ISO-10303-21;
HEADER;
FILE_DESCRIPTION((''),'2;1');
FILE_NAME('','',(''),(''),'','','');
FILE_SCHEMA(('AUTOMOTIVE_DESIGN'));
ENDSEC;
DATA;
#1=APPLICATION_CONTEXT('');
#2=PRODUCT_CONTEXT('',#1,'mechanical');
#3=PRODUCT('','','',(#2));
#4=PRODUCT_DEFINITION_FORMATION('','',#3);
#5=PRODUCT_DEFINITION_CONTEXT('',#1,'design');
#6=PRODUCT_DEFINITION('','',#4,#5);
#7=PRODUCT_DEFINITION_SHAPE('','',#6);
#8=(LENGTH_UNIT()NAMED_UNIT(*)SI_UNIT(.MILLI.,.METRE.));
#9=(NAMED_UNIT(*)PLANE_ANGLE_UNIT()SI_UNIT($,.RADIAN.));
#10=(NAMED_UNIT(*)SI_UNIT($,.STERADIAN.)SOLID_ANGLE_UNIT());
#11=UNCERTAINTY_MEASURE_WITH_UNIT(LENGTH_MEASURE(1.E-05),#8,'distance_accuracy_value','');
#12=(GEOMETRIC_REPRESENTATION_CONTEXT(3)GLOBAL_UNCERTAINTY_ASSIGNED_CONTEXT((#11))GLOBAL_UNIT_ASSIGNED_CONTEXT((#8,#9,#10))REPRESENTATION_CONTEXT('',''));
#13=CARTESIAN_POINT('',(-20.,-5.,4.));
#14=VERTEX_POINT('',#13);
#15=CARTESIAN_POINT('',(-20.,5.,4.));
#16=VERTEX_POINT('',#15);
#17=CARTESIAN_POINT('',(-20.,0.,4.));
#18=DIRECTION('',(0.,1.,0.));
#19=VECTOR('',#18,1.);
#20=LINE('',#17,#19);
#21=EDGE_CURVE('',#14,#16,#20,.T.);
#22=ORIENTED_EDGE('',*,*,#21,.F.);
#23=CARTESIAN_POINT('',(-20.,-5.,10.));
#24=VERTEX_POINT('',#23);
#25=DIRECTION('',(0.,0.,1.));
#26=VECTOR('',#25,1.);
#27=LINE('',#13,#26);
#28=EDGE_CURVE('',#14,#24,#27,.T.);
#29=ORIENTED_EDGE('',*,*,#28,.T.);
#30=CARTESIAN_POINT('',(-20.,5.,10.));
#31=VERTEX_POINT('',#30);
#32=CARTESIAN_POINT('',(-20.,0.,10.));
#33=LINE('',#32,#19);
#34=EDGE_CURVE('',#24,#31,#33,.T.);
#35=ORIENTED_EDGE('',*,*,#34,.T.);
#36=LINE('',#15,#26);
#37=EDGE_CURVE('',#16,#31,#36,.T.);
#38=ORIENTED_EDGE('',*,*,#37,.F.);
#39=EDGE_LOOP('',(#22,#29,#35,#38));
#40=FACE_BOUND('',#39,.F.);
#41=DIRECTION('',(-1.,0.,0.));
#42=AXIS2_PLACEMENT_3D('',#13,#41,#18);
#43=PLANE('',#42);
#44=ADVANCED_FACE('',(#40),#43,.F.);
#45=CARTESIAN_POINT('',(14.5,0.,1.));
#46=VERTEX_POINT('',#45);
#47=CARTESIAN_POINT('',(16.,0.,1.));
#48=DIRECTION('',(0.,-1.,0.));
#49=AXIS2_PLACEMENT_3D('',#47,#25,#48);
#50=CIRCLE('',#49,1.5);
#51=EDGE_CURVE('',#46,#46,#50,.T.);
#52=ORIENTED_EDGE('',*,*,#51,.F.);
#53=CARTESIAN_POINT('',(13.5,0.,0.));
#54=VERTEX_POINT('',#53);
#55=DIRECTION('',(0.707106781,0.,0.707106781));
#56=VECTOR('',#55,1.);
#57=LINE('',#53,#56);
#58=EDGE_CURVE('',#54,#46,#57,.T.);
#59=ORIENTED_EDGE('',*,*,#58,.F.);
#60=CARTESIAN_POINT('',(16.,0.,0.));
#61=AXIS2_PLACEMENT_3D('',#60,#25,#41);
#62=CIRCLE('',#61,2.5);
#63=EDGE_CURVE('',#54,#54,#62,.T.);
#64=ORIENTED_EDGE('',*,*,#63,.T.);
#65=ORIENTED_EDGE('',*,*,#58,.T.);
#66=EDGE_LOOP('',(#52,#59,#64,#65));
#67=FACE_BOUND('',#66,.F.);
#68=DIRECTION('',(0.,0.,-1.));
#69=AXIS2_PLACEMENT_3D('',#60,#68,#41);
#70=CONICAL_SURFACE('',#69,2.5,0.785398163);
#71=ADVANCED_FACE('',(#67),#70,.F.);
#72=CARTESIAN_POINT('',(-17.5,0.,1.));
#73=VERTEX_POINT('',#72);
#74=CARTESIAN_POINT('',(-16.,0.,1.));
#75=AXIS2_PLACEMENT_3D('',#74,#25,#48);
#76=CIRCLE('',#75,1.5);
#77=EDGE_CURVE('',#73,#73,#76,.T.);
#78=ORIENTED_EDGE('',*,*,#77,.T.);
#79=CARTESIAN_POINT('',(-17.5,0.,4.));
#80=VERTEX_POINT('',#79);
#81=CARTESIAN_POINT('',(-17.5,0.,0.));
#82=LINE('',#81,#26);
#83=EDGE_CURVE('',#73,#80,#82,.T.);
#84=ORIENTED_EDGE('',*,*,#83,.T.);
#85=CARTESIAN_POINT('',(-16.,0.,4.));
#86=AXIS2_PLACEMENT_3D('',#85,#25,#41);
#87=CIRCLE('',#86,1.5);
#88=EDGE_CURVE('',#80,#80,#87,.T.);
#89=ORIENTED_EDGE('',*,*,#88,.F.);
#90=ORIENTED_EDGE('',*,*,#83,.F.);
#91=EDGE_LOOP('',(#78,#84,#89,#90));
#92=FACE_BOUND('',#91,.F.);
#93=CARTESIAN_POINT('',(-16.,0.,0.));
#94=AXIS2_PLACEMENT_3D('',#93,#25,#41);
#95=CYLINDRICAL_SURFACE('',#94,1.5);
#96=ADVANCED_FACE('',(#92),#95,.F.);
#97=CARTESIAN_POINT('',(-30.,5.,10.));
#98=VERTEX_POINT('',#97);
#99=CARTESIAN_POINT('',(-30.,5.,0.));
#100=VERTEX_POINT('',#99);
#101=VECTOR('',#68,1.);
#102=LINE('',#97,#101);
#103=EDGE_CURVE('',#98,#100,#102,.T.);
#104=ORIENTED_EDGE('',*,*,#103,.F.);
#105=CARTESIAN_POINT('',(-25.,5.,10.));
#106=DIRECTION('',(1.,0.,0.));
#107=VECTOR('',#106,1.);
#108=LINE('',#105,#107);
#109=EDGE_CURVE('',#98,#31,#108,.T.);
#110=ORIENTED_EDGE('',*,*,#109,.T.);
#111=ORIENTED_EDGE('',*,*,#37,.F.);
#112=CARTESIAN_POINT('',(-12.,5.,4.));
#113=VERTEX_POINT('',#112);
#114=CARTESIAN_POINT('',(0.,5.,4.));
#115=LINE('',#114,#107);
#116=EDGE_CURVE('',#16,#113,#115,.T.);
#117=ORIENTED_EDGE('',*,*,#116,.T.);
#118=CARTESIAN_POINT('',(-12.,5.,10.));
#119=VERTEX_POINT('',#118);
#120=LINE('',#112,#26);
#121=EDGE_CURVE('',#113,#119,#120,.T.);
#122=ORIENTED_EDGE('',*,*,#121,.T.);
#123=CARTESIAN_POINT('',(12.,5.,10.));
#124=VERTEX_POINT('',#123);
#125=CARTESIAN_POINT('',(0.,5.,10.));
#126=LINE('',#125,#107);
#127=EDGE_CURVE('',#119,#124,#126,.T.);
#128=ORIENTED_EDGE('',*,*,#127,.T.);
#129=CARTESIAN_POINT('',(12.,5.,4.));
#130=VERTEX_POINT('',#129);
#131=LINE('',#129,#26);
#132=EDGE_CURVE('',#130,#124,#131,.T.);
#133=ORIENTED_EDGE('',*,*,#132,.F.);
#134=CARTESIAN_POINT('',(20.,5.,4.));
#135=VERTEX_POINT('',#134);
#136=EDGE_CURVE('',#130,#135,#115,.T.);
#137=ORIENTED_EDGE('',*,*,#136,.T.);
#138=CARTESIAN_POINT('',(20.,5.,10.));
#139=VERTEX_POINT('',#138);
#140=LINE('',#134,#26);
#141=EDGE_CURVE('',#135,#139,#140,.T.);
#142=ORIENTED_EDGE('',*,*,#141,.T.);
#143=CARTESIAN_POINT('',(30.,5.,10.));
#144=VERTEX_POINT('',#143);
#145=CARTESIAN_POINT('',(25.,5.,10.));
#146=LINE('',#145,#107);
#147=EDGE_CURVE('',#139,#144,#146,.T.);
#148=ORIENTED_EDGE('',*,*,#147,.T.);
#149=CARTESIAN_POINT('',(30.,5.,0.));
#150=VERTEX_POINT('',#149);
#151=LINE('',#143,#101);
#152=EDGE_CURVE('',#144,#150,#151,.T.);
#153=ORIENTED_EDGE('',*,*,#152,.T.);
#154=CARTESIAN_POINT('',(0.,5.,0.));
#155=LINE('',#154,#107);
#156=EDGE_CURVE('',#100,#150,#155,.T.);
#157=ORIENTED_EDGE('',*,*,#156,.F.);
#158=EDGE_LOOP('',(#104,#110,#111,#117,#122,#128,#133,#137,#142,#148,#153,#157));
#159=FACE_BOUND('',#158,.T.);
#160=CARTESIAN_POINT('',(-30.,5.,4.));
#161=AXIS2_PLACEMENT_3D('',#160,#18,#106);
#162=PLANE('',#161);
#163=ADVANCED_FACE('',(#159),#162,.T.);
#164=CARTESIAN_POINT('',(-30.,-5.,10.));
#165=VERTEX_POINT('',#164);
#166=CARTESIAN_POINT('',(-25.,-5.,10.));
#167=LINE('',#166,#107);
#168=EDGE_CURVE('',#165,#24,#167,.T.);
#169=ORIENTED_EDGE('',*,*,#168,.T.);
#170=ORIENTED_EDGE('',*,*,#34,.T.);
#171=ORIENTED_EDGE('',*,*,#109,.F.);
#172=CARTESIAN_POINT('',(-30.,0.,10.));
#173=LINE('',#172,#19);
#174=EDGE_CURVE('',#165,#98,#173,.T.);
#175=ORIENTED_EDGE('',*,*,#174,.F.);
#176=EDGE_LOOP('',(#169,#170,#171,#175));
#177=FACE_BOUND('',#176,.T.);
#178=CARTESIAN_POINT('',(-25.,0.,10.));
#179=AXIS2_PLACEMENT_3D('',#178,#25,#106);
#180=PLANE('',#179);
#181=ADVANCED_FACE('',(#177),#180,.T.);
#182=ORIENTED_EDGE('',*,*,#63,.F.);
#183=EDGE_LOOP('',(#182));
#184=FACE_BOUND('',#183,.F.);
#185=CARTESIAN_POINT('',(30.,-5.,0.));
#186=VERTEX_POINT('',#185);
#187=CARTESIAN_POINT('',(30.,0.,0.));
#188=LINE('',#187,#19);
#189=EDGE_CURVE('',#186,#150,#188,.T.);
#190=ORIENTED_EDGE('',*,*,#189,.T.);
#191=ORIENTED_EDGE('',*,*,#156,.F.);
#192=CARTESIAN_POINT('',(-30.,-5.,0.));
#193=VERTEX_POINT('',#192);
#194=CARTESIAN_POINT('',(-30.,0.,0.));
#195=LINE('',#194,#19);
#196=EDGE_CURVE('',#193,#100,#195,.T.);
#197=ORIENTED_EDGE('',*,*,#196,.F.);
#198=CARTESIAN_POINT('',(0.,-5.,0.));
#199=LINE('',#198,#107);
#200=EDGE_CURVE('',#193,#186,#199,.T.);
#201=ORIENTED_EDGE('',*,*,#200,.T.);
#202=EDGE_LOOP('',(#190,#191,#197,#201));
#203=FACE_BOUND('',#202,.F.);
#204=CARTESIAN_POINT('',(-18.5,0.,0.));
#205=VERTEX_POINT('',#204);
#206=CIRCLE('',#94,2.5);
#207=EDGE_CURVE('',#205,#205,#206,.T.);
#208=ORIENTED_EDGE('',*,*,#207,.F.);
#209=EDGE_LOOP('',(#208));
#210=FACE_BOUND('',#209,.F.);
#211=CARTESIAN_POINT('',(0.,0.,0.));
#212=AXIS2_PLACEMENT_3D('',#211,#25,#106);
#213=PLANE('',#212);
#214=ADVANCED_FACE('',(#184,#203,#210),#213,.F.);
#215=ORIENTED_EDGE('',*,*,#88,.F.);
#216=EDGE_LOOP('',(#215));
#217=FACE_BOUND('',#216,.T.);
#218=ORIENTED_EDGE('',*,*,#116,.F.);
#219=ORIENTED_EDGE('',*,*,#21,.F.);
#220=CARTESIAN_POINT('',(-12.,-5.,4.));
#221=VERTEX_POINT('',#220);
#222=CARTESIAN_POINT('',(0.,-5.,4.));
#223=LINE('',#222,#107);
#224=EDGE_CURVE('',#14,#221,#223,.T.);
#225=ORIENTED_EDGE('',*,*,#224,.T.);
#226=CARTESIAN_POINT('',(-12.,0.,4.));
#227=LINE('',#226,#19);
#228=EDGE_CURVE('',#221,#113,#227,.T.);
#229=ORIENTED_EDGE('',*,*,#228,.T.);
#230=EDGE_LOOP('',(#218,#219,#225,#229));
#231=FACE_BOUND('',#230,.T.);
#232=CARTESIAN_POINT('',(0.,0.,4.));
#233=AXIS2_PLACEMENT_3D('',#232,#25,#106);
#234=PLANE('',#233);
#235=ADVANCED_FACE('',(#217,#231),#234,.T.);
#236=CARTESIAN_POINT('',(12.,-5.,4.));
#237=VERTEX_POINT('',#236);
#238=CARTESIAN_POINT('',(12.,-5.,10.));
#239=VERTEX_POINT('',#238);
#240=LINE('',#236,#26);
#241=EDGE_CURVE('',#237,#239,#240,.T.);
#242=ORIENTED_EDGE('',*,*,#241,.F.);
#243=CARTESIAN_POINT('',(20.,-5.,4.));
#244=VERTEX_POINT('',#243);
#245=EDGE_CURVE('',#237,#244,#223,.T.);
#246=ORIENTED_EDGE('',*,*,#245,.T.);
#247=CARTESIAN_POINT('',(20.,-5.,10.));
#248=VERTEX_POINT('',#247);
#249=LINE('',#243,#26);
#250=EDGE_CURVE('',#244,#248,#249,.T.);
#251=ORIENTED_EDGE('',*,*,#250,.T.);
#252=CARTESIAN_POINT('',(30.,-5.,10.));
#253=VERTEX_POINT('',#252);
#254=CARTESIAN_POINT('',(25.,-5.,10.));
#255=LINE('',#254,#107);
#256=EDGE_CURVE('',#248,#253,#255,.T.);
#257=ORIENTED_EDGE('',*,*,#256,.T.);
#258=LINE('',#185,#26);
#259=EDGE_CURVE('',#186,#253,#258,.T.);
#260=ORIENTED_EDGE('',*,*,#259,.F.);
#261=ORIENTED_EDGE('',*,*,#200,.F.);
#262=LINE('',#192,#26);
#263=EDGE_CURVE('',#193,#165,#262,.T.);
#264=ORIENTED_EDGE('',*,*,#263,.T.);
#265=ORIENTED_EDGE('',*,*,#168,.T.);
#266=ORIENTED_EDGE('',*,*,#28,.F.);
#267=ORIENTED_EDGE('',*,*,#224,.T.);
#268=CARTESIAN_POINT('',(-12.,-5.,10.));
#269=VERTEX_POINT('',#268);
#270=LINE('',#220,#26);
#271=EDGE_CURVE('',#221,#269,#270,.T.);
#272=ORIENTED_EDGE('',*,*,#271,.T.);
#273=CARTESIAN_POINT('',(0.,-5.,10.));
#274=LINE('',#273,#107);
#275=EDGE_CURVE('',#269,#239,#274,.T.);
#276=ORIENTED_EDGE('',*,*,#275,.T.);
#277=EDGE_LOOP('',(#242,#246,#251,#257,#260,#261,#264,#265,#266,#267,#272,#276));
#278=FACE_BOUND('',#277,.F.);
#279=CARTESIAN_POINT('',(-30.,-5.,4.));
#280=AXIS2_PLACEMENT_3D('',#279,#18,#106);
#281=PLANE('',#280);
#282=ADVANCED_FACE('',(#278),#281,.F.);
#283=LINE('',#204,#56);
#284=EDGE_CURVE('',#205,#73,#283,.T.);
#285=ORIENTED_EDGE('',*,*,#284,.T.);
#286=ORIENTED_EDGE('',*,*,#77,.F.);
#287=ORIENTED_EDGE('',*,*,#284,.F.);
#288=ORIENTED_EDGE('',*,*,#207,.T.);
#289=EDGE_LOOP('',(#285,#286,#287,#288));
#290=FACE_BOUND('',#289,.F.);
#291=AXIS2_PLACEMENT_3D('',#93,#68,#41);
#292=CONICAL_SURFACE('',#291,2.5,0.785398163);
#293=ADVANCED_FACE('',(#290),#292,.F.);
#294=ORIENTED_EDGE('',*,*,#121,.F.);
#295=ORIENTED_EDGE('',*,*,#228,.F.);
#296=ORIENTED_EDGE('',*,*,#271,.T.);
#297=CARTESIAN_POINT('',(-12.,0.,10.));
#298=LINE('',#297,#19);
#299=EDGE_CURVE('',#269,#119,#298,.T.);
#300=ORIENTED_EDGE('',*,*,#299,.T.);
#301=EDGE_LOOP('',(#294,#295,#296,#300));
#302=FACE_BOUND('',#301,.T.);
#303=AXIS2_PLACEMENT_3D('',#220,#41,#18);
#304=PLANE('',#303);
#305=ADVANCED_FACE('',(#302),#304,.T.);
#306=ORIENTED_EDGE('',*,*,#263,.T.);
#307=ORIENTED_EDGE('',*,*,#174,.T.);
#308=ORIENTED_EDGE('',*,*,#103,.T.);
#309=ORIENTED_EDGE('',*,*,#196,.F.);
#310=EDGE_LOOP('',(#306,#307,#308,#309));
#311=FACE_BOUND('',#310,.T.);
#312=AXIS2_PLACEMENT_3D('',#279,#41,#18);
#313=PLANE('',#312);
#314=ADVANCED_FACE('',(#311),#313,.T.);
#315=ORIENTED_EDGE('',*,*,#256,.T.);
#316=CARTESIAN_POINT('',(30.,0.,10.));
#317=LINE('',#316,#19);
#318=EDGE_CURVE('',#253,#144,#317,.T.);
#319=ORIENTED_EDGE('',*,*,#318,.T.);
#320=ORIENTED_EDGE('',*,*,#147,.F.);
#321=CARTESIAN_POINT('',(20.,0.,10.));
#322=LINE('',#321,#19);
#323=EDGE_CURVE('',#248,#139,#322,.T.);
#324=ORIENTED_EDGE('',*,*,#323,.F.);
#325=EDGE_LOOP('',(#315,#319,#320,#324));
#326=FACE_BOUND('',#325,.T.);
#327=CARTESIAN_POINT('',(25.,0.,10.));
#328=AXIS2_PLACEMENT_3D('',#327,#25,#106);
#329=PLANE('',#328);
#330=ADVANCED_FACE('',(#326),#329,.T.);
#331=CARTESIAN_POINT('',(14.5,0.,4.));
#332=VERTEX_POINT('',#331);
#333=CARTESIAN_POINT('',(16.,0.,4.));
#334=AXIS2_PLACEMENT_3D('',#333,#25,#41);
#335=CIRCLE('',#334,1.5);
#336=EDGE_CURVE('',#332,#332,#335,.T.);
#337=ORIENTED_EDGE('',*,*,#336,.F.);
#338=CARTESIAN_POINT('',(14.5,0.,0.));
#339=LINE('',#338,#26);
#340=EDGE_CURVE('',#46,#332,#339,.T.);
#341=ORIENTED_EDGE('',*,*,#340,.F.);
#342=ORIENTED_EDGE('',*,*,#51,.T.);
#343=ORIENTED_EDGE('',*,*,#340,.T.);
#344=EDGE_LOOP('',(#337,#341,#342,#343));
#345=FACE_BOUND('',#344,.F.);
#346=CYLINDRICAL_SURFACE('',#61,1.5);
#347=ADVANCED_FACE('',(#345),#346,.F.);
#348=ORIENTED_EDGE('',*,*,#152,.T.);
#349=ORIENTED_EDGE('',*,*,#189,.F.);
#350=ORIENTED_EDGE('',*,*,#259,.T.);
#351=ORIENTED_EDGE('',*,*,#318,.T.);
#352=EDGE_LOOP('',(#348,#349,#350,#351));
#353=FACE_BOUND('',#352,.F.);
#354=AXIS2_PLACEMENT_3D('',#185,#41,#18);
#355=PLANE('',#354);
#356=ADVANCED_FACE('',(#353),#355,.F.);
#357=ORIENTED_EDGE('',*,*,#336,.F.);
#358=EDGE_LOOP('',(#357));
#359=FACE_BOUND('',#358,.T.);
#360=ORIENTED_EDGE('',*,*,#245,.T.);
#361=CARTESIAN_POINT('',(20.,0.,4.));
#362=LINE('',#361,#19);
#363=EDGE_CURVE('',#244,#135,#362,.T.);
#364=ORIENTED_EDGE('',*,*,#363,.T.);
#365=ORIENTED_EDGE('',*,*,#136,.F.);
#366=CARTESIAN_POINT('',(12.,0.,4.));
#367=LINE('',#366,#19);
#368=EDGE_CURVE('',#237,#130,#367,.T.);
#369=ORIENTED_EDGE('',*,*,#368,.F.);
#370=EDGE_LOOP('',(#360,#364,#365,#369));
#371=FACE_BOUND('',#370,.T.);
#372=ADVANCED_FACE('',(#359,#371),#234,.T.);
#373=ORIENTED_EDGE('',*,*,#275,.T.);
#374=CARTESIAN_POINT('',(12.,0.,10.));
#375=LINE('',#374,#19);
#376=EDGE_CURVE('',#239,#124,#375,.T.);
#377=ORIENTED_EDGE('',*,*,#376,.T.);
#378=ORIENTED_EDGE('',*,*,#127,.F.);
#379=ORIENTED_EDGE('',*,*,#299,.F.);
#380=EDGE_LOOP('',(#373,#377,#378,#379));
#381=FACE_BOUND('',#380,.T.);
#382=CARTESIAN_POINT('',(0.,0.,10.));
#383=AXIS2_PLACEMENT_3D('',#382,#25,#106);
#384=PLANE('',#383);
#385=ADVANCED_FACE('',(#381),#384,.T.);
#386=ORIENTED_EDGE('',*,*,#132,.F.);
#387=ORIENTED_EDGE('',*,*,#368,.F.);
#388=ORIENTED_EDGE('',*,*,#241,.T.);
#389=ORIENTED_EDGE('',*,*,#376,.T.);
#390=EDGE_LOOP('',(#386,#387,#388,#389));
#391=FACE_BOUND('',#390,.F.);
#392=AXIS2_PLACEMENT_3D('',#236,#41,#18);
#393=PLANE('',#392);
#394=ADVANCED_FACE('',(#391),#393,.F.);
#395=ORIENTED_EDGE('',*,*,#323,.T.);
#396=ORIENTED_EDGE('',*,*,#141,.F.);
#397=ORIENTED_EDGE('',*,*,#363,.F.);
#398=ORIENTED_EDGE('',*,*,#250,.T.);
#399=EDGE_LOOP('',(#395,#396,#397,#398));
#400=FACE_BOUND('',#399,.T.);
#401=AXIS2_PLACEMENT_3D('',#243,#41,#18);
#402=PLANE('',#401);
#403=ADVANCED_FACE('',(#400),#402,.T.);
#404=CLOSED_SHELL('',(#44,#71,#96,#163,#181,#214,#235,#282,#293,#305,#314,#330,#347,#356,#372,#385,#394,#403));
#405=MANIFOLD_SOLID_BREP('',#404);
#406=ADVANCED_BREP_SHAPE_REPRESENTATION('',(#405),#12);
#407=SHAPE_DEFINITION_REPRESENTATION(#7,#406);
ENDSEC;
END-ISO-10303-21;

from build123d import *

# Parameters (mm, degrees)
F0_W           = 60
F0_H           = 10
F1_DEPTH       = 4
F2_W           = 10
F2_H           = 10
F2_W_2         = 24
F3_DEPTH       = 6
F5_D           = 3
F5_CSINK_D     = 5
F5_CSINK_ANGLE = 90


with BuildPart() as f1:
    # F0 (on Top) → F1 (new body)
    with BuildSketch(Plane.XY):
        Rectangle(F0_W, F0_H)
    extrude(amount=F1_DEPTH)

    # F2 (on face) → F3 (join)
    with BuildSketch(Plane.XY.offset(4)):
        with Locations((-25, 0)):
            Rectangle(F2_W, F2_H)
        Rectangle(F2_W_2, F2_H)
        with Locations((25, 0)):
            Rectangle(F2_W, F2_H)
    extrude(amount=F3_DEPTH)

    # F5 (through all)
    with Locations(Plane(origin=(0, 0, 0), x_dir=(1, 0, 0), z_dir=(0, 0, -1))):
        with Locations((-16, 0), (16, 0)):
            CounterSinkHole(F5_D / 2, F5_CSINK_D / 2, counter_sink_angle=F5_CSINK_ANGLE)


solid = f1.part
